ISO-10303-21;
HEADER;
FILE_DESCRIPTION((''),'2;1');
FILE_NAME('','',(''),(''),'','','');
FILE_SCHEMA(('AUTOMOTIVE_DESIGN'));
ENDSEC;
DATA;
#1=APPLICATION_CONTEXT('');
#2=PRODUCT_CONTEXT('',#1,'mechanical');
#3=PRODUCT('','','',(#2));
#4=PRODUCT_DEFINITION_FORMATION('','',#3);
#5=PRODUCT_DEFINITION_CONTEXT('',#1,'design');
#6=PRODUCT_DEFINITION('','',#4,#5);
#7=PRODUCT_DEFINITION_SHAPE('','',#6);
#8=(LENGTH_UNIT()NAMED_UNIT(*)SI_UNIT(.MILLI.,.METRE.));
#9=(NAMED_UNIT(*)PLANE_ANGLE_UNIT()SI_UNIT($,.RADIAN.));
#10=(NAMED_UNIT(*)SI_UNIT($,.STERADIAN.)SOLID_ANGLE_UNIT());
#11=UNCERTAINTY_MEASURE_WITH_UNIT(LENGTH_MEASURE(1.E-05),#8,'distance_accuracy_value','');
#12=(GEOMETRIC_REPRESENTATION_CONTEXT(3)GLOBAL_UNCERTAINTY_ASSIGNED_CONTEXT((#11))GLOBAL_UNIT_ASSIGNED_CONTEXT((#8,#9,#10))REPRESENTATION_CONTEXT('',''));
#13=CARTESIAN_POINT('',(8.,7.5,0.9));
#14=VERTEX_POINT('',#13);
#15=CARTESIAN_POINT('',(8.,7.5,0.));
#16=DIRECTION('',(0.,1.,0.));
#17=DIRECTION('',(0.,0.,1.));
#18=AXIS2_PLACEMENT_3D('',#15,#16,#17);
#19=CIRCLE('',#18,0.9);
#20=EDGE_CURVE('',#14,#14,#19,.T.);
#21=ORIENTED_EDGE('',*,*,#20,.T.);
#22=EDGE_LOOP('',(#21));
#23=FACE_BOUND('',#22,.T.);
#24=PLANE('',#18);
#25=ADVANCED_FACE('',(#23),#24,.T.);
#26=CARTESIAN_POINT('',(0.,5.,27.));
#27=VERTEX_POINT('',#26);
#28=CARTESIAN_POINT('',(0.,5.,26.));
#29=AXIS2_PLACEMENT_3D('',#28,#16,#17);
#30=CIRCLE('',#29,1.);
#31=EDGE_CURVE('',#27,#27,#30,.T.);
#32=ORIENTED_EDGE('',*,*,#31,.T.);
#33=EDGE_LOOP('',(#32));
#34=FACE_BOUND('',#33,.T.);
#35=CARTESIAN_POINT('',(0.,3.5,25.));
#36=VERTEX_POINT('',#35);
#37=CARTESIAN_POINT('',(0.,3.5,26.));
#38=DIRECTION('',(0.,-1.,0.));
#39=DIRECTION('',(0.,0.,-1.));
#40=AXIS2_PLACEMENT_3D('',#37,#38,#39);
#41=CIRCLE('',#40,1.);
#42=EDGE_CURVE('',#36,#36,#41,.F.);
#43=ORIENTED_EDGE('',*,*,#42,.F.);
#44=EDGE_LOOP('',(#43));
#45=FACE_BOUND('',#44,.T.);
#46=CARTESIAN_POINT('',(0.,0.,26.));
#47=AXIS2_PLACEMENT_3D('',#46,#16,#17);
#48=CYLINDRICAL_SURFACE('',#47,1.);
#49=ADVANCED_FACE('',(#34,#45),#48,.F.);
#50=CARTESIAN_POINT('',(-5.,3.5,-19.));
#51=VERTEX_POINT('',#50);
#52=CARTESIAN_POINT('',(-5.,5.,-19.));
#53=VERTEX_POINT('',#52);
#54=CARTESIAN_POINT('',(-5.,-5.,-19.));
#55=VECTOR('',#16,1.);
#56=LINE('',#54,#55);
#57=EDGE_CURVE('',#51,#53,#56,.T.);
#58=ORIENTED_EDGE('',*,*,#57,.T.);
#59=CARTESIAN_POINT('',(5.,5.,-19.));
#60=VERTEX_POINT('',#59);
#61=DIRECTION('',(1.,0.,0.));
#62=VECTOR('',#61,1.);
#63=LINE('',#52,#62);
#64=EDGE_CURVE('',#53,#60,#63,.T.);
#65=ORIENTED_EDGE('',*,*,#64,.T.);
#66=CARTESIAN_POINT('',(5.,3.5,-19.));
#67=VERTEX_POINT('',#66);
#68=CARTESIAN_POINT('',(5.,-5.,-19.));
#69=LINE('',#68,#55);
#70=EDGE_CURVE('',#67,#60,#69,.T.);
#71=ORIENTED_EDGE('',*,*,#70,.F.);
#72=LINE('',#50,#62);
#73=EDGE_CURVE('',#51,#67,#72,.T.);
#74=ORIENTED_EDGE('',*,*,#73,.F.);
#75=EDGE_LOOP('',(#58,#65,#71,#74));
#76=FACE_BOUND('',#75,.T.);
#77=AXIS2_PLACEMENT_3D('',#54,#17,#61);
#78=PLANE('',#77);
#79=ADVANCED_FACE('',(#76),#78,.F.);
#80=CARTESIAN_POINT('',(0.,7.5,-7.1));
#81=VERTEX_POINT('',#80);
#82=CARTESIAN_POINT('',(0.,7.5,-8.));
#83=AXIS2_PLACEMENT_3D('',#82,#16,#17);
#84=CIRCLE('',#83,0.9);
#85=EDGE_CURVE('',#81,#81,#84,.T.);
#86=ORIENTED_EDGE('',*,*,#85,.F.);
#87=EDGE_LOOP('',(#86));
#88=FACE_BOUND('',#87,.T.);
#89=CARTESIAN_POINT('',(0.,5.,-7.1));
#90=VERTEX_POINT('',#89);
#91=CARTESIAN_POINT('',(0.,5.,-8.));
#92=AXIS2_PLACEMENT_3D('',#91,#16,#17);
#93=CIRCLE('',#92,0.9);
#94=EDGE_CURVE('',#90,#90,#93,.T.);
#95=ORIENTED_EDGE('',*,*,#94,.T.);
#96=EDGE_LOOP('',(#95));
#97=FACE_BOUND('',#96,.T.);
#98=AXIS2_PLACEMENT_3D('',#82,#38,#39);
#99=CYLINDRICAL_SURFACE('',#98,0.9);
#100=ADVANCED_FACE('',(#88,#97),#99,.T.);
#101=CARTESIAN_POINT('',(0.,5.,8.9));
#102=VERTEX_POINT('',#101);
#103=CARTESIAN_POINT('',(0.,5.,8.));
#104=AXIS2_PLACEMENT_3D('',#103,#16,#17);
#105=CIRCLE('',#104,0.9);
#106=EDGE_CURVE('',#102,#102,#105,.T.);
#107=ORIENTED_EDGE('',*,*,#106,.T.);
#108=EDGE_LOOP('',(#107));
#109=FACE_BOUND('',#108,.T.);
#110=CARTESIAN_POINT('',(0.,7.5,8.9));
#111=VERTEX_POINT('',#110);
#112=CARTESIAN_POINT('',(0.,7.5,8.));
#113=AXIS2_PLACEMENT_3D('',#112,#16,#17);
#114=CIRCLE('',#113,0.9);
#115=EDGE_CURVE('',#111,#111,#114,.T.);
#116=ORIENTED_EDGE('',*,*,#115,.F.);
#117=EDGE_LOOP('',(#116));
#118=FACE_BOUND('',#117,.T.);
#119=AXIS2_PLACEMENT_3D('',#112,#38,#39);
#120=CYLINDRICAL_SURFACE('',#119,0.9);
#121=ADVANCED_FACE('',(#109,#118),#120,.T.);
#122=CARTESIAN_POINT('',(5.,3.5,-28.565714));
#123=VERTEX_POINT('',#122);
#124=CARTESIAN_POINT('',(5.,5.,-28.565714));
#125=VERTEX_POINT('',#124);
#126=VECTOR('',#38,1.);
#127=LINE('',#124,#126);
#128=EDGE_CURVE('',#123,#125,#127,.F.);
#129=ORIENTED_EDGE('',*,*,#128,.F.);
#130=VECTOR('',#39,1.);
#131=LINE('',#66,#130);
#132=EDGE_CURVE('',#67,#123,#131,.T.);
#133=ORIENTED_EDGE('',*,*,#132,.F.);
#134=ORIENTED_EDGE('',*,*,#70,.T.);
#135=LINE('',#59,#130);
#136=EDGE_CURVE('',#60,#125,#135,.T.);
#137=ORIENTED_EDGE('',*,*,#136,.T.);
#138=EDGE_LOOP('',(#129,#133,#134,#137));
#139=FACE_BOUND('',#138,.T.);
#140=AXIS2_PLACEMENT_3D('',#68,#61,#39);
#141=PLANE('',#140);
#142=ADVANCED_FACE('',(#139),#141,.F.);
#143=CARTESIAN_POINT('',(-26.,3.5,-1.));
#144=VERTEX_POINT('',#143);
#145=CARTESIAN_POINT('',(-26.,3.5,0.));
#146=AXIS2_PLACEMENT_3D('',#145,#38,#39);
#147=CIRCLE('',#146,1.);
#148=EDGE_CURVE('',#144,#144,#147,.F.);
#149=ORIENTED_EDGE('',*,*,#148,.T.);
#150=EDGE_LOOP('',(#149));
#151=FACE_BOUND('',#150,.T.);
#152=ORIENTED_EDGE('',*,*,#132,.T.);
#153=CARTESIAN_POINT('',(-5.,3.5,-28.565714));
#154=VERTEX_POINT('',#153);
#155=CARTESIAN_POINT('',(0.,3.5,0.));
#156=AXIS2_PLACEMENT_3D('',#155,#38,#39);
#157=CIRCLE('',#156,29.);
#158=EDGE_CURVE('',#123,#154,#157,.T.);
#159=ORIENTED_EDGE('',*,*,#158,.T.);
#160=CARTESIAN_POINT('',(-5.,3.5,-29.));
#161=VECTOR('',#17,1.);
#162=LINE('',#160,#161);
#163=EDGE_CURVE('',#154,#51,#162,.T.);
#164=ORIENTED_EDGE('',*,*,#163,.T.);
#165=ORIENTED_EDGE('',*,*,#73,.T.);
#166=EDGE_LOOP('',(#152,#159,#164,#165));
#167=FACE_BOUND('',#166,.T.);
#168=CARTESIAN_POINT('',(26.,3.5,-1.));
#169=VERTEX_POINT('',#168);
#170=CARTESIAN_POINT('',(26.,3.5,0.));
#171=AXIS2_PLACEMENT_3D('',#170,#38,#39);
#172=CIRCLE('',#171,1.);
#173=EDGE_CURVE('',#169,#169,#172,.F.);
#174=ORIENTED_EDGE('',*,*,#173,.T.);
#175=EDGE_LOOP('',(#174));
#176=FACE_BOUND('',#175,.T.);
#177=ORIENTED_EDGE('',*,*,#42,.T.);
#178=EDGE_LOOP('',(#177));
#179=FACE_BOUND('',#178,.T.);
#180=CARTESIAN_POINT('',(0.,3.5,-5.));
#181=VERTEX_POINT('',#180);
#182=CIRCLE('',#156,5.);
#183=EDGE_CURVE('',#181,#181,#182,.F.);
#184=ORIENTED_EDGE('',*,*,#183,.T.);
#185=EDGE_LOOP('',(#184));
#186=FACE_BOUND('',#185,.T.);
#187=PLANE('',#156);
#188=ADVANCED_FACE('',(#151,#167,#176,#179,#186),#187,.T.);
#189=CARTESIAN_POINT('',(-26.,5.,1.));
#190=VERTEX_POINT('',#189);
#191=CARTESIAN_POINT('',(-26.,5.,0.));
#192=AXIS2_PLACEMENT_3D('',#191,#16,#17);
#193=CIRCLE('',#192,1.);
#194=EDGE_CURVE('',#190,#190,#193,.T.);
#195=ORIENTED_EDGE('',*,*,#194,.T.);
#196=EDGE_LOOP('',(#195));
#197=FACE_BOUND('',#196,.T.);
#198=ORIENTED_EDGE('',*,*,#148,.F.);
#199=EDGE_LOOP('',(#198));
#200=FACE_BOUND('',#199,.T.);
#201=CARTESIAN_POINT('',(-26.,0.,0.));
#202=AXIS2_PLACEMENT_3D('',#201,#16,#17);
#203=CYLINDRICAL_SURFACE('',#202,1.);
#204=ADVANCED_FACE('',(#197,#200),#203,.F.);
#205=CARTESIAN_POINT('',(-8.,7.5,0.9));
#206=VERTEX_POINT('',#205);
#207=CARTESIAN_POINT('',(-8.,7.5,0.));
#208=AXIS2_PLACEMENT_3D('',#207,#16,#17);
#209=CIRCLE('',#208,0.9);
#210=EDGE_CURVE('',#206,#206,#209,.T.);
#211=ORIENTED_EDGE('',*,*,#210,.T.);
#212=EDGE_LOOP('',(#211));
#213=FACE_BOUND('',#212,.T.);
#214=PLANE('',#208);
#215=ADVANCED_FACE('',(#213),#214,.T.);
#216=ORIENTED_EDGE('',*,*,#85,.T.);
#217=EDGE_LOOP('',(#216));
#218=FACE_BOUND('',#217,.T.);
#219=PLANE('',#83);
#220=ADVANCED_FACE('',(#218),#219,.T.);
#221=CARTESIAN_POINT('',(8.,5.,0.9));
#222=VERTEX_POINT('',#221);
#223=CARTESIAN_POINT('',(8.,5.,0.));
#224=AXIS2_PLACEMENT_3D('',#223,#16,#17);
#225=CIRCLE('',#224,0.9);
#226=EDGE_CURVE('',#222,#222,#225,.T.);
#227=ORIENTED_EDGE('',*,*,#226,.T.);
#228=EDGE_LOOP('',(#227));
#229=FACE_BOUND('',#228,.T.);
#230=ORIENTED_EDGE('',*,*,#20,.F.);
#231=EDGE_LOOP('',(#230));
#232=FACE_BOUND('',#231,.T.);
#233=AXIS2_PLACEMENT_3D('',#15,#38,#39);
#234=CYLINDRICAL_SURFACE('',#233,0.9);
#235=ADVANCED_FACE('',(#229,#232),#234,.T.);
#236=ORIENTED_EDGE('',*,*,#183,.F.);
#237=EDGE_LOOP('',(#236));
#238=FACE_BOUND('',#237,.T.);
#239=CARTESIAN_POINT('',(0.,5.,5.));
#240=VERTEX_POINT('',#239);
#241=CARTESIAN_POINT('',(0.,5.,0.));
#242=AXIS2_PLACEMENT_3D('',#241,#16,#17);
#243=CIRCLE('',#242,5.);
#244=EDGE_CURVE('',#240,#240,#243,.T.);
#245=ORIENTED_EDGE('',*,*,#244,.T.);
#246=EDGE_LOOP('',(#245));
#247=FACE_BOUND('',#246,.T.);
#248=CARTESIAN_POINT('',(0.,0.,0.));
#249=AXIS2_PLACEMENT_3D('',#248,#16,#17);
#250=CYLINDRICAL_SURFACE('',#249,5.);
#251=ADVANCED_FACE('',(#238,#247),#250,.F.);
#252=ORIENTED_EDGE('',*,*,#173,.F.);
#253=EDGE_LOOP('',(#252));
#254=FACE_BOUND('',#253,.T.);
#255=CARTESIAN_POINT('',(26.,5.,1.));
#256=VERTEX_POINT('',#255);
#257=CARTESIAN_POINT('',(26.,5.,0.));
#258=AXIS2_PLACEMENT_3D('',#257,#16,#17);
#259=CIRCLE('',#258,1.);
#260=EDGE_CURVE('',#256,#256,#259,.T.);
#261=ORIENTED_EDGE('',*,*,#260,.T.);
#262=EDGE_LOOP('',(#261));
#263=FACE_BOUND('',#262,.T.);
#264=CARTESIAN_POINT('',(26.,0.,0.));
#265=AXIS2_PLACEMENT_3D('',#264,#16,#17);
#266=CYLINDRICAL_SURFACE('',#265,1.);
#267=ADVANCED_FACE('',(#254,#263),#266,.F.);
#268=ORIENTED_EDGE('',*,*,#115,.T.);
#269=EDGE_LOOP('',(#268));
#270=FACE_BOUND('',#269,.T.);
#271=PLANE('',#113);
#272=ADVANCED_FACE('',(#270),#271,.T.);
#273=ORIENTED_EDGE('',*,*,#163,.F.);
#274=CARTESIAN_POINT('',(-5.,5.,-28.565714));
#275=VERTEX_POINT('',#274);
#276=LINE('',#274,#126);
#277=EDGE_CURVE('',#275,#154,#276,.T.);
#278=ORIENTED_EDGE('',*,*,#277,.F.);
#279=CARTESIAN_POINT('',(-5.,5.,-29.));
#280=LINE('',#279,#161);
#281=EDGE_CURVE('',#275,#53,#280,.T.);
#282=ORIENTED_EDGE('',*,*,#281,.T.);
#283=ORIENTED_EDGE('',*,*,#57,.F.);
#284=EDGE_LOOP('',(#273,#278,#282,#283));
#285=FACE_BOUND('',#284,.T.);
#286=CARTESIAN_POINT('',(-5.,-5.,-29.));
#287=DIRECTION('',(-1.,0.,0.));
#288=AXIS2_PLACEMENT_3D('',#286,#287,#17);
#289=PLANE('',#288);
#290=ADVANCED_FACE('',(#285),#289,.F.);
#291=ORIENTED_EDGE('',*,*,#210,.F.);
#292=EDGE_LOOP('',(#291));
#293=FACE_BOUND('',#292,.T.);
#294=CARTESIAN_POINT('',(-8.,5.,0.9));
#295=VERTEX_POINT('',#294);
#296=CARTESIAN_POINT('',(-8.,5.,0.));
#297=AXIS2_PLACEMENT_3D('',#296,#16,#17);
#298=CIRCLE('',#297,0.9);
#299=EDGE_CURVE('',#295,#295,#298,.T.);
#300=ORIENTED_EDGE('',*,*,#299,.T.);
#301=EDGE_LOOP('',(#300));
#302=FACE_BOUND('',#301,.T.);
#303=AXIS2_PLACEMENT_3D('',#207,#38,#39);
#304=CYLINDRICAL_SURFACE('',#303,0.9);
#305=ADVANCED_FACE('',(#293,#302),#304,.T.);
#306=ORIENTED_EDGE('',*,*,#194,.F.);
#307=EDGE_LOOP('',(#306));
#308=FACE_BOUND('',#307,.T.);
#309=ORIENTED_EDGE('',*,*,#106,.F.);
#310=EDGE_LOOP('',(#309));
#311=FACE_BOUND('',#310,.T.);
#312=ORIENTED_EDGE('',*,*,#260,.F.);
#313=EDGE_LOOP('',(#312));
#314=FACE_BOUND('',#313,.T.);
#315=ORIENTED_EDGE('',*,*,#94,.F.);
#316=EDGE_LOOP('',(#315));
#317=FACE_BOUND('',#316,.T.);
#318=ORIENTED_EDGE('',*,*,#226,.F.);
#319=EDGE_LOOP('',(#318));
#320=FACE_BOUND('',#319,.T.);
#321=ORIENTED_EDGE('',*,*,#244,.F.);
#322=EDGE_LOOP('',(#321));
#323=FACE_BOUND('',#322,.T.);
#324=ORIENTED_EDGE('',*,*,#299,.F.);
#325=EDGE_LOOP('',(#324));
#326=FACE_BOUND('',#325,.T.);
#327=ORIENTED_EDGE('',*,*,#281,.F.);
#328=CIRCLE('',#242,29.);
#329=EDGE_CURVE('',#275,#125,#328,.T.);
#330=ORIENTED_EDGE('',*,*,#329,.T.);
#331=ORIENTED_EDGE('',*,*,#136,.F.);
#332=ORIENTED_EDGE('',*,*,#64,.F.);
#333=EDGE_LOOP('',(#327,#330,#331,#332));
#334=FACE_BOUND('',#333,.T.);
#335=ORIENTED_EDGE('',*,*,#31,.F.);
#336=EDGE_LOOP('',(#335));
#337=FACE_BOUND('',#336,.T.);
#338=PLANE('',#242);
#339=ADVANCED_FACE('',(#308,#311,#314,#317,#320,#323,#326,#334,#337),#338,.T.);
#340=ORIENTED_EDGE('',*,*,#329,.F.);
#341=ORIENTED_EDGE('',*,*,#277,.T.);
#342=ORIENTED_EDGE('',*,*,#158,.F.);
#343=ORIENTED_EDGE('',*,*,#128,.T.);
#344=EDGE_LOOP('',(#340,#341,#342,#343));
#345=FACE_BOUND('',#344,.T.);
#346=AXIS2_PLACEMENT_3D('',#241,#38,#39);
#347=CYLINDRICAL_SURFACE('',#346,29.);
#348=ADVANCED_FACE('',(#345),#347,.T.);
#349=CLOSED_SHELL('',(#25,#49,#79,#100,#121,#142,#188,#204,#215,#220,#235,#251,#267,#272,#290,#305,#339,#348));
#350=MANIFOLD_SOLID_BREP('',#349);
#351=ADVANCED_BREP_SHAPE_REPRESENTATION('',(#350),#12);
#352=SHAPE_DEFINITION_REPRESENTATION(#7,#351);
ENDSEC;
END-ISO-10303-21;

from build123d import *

# Parameters (mm, degrees)
SKETCH1_R           = 29
BOSS_EXTRUDE1_DEPTH = 5
SKETCH4_R           = 0.9
BOSS_EXTRUDE2_DEPTH = 2.5
SKETCH7_R           = 5
CUT_EXTRUDE4_DEPTH  = 5
SKETCH11_R          = 1
CUT_EXTRUDE6_DEPTH  = 5
SKETCH12_R          = 29
CUT_EXTRUDE7_DEPTH  = 1
SKETCH13_W          = 10
SKETCH13_H          = 10
CUT_EXTRUDE8_DEPTH  = 10
SKETCH14_R          = 29
CUT_EXTRUDE9_DEPTH  = 2.5


with BuildPart() as part:
    # Sketch1 → Boss-Extrude1 (new body)
    with BuildSketch(Plane(origin=(0, 0, 0), x_dir=(1, 0, 0), z_dir=(0, 1, 0))):
        with Locations(Location((0, 0, 0), (0, 0, 270))):
            Circle(SKETCH1_R)
    extrude(amount=BOSS_EXTRUDE1_DEPTH)

    # Sketch4 → Boss-Extrude2 (add)
    with BuildSketch(Plane(origin=(0, 5, 0), x_dir=(1, 0, 0), z_dir=(0, 1, 0))):
        with Locations(Location((8, 0, 0), (0, 0, 270))):
            Circle(SKETCH4_R)
        with Locations(Location((-8, 0, 0), (0, 0, 270))):
            Circle(SKETCH4_R)
        with Locations(Location((0, 8, 0), (0, 0, 270))):
            Circle(SKETCH4_R)
        with Locations(Location((0, -8, 0), (0, 0, 270))):
            Circle(SKETCH4_R)
    extrude(amount=BOSS_EXTRUDE2_DEPTH)

    # Sketch7 → Cut-Extrude4 (cut)
    with BuildSketch(Plane(origin=(0, 5, 0), x_dir=(1, 0, 0), z_dir=(0, 1, 0))):
        with Locations(Location((0, 0, 0), (0, 0, 270))):
            Circle(SKETCH7_R)
    extrude(amount=-CUT_EXTRUDE4_DEPTH, mode=Mode.SUBTRACT)

    # Sketch11 → Cut-Extrude6 (cut)
    with BuildSketch(Plane(origin=(0, 5, 0), x_dir=(1, 0, 0), z_dir=(0, 1, 0))):
        with Locations(Location((-26, 0, 0), (0, 0, 270))):
            Circle(SKETCH11_R)
        with Locations(Location((0, -26, 0), (0, 0, 270))):
            Circle(SKETCH11_R)
        with Locations(Location((26, 0, 0), (0, 0, 270))):
            Circle(SKETCH11_R)
    extrude(amount=-CUT_EXTRUDE6_DEPTH, mode=Mode.SUBTRACT)

    # Sketch12 → Cut-Extrude7 (cut)
    with BuildSketch(Plane(origin=(0, 0, 0), x_dir=(-1, 0, 0), z_dir=(0, -1, 0))):
        with Locations(Location((0, 0, 0), (0, 0, 90))):
            Circle(SKETCH12_R)
    extrude(amount=-CUT_EXTRUDE7_DEPTH, mode=Mode.SUBTRACT)

    # Sketch13 → Cut-Extrude8 (cut)
    with BuildSketch(Plane(origin=(0, 5, 0), x_dir=(1, 0, 0), z_dir=(0, 1, 0))):
        with Locations((0, 24)):
            Rectangle(SKETCH13_W, SKETCH13_H)
    extrude(amount=-CUT_EXTRUDE8_DEPTH, mode=Mode.SUBTRACT)

    # Sketch14 → Cut-Extrude9 (cut)
    with BuildSketch(Plane(origin=(0, 1, 0), x_dir=(-1, 0, 0), z_dir=(0, -1, 0))):
        Circle(SKETCH14_R)
    extrude(amount=-CUT_EXTRUDE9_DEPTH, mode=Mode.SUBTRACT)


solid = part.part
